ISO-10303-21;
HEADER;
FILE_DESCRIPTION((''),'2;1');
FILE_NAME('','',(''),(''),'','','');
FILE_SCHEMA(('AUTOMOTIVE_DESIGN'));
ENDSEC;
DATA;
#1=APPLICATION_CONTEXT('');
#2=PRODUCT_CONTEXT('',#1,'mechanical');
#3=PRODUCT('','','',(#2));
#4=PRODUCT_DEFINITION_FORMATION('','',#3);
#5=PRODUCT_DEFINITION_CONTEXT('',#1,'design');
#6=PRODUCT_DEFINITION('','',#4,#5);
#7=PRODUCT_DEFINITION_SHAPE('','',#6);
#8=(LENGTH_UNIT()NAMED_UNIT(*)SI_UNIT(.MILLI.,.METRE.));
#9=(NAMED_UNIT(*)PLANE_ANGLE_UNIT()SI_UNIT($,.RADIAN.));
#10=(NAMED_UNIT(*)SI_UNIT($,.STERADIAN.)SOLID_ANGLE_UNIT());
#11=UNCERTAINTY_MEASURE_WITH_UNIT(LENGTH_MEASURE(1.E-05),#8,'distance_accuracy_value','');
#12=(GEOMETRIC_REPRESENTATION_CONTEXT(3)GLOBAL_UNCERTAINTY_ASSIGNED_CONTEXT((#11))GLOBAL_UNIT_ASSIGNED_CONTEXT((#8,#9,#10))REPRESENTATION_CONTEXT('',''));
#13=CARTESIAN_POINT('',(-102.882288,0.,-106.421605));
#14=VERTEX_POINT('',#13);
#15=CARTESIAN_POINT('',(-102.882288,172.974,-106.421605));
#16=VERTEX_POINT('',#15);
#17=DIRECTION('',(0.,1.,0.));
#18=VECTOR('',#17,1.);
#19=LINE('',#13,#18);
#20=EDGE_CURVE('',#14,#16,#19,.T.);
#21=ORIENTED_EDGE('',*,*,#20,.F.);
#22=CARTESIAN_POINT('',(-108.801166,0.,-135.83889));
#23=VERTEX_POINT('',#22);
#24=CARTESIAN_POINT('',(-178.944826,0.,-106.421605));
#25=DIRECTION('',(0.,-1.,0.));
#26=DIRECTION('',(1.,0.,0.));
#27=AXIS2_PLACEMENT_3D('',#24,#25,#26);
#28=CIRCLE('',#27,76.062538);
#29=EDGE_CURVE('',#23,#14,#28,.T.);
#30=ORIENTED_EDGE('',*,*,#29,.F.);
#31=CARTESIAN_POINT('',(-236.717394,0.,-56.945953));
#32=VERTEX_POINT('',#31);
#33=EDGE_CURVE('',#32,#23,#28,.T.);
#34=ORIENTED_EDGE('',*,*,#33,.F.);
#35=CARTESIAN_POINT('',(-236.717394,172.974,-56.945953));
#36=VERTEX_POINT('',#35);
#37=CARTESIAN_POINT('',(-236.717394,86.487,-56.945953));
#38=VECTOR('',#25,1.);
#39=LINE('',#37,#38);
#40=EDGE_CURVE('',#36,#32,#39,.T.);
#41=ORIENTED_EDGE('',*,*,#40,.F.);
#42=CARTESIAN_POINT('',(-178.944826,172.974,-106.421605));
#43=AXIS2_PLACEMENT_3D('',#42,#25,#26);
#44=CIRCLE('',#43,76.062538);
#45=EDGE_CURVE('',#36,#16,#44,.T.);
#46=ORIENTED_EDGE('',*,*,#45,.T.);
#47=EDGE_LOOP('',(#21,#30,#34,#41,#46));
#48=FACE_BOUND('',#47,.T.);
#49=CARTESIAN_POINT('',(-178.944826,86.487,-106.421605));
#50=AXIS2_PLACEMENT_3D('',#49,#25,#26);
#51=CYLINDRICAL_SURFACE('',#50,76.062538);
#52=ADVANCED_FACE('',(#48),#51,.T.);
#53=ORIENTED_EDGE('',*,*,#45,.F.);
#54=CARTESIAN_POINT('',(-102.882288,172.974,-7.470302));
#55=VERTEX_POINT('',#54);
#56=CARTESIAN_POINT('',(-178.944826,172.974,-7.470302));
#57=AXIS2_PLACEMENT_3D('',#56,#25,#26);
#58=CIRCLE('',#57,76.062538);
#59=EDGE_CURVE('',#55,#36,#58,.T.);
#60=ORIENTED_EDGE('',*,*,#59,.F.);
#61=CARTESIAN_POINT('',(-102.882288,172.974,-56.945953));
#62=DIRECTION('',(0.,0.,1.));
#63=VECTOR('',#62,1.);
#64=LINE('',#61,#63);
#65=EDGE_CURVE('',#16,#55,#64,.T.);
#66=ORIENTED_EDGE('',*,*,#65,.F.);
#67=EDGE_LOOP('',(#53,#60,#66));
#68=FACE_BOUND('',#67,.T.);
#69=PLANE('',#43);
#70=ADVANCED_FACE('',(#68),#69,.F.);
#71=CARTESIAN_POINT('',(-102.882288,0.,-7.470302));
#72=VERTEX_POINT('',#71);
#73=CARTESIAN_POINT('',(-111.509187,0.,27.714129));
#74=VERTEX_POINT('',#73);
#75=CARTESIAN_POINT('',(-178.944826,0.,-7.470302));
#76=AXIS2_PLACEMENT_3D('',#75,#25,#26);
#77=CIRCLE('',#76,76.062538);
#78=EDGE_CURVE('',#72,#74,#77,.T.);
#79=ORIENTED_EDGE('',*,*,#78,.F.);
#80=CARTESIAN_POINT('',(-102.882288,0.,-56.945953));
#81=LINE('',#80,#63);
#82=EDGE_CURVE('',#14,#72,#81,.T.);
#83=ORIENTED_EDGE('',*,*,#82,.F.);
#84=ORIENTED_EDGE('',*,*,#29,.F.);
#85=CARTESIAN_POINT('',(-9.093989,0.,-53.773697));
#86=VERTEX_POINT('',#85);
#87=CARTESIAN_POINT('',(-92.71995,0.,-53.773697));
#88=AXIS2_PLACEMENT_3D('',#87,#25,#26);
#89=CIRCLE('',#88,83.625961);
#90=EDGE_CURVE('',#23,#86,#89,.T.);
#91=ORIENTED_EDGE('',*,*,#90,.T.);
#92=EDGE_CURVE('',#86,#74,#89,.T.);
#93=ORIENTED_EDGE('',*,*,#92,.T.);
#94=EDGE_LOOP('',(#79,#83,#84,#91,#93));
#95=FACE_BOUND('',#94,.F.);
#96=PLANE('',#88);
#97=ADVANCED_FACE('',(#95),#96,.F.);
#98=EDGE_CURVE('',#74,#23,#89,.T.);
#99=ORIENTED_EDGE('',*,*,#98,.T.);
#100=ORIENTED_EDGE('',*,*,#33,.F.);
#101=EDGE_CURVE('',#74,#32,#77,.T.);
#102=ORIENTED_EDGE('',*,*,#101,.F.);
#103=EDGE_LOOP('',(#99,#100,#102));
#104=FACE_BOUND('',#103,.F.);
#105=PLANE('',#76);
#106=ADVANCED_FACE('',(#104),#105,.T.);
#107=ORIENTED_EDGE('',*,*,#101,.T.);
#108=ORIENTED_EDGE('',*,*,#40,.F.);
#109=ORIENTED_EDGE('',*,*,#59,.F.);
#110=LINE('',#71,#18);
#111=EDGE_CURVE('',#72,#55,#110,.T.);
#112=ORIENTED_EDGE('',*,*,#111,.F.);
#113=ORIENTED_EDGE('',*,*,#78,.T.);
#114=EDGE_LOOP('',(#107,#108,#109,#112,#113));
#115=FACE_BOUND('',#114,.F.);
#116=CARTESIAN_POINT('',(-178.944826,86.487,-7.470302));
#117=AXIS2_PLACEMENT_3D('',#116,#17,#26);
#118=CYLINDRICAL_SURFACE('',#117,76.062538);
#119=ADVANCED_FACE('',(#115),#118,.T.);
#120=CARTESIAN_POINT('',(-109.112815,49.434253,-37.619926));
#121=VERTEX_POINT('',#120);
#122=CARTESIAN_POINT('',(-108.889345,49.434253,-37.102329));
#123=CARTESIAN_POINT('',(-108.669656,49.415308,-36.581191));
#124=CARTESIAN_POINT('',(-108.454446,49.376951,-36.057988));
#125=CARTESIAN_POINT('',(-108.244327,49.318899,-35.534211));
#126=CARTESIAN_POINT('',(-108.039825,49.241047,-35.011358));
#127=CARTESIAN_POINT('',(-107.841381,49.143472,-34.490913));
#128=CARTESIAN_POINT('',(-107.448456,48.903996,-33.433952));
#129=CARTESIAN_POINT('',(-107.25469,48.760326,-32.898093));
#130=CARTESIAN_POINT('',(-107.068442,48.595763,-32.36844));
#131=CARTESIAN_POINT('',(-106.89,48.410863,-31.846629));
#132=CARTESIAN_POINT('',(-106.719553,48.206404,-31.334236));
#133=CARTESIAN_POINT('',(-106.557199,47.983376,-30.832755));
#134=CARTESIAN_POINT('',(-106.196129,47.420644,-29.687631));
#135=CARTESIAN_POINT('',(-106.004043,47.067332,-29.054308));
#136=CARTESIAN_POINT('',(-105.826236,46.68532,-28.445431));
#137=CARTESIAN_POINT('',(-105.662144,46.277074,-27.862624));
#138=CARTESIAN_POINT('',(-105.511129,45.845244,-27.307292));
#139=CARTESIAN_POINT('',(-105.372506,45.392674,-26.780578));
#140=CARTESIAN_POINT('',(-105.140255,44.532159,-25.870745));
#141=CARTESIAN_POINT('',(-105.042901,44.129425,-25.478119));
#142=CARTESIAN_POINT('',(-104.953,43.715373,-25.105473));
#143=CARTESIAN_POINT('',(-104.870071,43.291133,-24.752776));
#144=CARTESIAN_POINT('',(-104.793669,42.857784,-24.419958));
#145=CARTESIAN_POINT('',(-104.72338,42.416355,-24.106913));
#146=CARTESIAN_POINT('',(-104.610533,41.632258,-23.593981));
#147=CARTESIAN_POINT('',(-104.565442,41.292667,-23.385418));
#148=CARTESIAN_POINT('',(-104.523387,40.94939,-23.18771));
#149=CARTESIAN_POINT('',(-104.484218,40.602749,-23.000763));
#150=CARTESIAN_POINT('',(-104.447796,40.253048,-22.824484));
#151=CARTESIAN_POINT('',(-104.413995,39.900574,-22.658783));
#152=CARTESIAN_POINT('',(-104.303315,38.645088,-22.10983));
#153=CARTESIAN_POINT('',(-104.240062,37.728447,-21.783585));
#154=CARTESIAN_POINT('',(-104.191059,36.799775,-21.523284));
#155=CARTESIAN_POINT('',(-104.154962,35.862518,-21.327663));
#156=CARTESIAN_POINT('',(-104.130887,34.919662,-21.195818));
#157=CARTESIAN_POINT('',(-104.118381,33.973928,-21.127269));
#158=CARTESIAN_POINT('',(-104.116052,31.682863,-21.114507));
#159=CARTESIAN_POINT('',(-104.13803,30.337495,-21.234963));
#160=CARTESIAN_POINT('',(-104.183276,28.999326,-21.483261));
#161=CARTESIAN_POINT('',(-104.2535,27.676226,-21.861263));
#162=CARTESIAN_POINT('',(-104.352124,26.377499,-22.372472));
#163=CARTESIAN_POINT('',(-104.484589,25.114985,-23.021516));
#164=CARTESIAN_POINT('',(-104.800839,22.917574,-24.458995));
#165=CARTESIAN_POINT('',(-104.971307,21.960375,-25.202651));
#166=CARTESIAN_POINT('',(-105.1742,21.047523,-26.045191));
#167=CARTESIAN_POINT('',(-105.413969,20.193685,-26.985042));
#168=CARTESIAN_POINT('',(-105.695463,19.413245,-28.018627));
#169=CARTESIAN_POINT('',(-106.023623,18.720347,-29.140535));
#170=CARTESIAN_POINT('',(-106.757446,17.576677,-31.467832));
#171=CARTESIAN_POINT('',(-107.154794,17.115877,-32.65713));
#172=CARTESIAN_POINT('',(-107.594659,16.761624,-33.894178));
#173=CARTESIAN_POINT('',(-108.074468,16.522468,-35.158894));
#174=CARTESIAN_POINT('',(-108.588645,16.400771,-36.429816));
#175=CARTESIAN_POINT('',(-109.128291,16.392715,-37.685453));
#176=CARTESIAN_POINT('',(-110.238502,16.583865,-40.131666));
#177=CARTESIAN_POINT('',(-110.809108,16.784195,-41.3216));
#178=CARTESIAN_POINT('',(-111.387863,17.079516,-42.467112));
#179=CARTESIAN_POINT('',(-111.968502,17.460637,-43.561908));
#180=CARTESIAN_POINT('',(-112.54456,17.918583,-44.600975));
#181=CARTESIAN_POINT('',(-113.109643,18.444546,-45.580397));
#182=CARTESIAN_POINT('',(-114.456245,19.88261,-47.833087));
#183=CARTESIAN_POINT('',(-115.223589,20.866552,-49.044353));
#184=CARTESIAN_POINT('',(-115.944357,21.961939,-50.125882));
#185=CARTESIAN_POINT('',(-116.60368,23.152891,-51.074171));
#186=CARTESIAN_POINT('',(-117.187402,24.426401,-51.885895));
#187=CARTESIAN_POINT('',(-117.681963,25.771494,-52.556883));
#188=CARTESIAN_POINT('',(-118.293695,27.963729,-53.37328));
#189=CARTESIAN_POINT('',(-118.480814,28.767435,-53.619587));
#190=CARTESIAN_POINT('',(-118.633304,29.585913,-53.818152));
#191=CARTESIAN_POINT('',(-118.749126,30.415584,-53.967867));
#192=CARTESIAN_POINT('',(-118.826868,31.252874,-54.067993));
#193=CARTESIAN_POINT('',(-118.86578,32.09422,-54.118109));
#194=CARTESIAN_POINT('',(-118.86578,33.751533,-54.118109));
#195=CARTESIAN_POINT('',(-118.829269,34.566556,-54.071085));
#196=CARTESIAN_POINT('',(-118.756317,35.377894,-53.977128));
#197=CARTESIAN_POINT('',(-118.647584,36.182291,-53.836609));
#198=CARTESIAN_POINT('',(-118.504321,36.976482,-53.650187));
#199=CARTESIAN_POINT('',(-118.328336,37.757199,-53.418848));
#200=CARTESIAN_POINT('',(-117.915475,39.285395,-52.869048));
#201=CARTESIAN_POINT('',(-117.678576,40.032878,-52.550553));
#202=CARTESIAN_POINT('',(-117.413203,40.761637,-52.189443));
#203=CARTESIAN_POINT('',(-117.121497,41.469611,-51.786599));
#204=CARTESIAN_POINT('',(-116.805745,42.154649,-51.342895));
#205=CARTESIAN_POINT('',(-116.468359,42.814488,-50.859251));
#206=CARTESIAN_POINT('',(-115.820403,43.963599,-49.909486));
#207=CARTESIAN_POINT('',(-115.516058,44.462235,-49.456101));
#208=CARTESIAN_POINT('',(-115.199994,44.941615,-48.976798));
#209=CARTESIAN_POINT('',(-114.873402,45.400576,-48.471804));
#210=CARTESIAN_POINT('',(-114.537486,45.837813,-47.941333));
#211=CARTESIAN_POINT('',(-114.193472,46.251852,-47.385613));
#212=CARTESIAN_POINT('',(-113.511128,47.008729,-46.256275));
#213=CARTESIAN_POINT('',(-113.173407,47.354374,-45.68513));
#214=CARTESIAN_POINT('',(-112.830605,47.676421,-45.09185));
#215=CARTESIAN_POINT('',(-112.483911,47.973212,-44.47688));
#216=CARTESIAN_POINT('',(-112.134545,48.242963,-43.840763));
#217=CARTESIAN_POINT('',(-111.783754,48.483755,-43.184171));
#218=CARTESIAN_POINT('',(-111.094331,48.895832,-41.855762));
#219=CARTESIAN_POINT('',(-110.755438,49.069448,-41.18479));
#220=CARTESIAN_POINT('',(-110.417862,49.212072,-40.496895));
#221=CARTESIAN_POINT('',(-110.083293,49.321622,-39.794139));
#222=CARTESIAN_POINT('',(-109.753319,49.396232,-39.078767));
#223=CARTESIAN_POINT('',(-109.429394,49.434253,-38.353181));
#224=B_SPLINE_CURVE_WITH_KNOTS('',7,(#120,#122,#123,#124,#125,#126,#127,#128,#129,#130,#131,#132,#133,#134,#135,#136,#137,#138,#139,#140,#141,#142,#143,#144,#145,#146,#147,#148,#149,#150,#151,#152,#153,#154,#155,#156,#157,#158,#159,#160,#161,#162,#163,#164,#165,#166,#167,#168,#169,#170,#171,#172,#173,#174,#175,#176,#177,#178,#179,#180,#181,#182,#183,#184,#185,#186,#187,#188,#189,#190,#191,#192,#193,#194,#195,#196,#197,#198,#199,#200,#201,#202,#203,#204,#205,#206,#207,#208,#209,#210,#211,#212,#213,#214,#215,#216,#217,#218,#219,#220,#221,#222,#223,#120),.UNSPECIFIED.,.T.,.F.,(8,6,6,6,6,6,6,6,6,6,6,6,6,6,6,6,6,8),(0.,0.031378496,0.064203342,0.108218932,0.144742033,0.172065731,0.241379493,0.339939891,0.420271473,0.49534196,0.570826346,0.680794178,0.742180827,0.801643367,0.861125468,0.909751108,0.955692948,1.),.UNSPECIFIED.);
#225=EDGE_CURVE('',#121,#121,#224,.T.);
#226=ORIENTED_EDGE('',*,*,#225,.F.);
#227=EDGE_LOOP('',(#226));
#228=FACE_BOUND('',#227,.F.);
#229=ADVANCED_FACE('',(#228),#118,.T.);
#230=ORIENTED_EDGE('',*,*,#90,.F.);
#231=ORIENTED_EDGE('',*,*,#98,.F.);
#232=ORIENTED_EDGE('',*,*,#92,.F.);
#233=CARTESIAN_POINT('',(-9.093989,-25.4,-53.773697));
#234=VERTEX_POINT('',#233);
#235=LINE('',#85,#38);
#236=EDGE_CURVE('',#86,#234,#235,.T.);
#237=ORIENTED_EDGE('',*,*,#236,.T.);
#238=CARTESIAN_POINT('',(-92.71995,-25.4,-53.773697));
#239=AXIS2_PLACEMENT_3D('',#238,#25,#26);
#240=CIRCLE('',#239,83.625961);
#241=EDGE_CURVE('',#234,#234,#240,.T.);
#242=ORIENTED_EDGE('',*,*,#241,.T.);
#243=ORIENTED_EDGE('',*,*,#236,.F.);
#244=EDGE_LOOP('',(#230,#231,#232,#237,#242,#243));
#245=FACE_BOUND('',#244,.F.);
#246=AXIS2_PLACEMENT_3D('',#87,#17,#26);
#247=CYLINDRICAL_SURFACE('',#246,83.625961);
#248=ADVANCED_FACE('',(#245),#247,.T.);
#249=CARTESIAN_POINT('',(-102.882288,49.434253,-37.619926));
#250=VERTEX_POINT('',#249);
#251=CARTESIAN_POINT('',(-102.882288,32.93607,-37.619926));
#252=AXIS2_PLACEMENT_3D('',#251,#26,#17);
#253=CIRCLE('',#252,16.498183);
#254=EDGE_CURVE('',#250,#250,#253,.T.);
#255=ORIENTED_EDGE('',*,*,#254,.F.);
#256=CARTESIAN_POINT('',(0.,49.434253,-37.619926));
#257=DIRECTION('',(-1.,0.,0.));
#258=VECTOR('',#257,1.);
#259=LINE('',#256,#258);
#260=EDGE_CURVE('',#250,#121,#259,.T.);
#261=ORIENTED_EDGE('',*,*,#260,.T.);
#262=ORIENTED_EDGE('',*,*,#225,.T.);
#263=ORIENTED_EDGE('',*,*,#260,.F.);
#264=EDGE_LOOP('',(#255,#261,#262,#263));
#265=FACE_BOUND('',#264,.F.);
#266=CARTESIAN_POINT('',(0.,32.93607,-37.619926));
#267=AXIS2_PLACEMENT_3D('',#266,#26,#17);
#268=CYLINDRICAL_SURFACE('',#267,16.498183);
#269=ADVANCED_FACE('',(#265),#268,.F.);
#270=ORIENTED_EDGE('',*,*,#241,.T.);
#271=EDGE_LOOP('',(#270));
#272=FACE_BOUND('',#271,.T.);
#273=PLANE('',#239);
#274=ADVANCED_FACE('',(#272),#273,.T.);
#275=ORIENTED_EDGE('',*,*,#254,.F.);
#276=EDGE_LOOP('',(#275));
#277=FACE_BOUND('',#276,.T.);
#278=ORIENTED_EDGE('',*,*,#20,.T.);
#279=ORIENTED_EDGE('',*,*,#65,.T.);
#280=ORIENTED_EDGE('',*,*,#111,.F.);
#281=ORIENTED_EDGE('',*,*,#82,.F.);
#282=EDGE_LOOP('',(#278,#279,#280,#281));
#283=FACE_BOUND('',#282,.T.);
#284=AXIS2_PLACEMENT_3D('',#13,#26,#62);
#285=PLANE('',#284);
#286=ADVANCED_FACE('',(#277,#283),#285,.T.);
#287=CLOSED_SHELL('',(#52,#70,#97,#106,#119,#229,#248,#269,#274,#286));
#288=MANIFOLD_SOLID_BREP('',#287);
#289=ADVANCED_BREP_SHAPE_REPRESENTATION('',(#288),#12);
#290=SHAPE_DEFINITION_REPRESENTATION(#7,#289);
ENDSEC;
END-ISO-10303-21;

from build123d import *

# Parameters (mm, degrees)
F0_W       = 76.0625377297
F0_H       = 98.9513029344
F1_DEPTH   = 172.974
F2_R       = 16.4981826782
F3_DEPTH   = 207.518
F1_FACE_W  = 76.0625377297
F1_FACE_H  = 172.974
F1_FACE1_W = 76.0625377297
F1_FACE1_H = 172.974
F6_R       = 83.6259605226
F7_DEPTH   = 25.4


with BuildPart() as f1:
    # F0 (on Front) → F1 (new body)
    with BuildSketch(Plane.XZ):
        with Locations((-140.9135572612, -56.9459532853)):
            Rectangle(F0_W, F0_H)
    extrude(amount=-F1_DEPTH)

    # F2 (on Right) → F3 (cut)
    with BuildSketch(Plane.YZ):
        with Locations((32.9360701144, -37.6199260354)):
            Circle(F2_R)
    extrude(amount=-F3_DEPTH, mode=Mode.SUBTRACT)

    # F1_face (on face) → F4 (revolve)
    with BuildSketch(Plane(origin=(-140.9135572612, 86.487, -106.4216047525), x_dir=(1, 0, 0), z_dir=(0, 0, -1))):
        Rectangle(F1_FACE_W, F1_FACE_H)
    revolve(axis=Axis((-178.9448261261, 86.487, -106.4216047525), (0, -1, 0)))

    # F1_face1 (on face) → F5 (revolve)
    with BuildSketch(Plane(origin=(-140.9135572612, 86.487, -7.4703018181), x_dir=(1, 0, 0), z_dir=(0, 0, 1))):
        Rectangle(F1_FACE1_W, F1_FACE1_H)
    revolve(axis=Axis((-178.9448261261, 86.487, -7.4703018181), (0, -1, 0)))

    # F6 (on Front) → F7 (join)
    with BuildSketch(Plane.XZ):
        with Locations((-92.7199497819, -53.7736974657)):
            Circle(F6_R)
    extrude(amount=F7_DEPTH)


solid = f1.part
